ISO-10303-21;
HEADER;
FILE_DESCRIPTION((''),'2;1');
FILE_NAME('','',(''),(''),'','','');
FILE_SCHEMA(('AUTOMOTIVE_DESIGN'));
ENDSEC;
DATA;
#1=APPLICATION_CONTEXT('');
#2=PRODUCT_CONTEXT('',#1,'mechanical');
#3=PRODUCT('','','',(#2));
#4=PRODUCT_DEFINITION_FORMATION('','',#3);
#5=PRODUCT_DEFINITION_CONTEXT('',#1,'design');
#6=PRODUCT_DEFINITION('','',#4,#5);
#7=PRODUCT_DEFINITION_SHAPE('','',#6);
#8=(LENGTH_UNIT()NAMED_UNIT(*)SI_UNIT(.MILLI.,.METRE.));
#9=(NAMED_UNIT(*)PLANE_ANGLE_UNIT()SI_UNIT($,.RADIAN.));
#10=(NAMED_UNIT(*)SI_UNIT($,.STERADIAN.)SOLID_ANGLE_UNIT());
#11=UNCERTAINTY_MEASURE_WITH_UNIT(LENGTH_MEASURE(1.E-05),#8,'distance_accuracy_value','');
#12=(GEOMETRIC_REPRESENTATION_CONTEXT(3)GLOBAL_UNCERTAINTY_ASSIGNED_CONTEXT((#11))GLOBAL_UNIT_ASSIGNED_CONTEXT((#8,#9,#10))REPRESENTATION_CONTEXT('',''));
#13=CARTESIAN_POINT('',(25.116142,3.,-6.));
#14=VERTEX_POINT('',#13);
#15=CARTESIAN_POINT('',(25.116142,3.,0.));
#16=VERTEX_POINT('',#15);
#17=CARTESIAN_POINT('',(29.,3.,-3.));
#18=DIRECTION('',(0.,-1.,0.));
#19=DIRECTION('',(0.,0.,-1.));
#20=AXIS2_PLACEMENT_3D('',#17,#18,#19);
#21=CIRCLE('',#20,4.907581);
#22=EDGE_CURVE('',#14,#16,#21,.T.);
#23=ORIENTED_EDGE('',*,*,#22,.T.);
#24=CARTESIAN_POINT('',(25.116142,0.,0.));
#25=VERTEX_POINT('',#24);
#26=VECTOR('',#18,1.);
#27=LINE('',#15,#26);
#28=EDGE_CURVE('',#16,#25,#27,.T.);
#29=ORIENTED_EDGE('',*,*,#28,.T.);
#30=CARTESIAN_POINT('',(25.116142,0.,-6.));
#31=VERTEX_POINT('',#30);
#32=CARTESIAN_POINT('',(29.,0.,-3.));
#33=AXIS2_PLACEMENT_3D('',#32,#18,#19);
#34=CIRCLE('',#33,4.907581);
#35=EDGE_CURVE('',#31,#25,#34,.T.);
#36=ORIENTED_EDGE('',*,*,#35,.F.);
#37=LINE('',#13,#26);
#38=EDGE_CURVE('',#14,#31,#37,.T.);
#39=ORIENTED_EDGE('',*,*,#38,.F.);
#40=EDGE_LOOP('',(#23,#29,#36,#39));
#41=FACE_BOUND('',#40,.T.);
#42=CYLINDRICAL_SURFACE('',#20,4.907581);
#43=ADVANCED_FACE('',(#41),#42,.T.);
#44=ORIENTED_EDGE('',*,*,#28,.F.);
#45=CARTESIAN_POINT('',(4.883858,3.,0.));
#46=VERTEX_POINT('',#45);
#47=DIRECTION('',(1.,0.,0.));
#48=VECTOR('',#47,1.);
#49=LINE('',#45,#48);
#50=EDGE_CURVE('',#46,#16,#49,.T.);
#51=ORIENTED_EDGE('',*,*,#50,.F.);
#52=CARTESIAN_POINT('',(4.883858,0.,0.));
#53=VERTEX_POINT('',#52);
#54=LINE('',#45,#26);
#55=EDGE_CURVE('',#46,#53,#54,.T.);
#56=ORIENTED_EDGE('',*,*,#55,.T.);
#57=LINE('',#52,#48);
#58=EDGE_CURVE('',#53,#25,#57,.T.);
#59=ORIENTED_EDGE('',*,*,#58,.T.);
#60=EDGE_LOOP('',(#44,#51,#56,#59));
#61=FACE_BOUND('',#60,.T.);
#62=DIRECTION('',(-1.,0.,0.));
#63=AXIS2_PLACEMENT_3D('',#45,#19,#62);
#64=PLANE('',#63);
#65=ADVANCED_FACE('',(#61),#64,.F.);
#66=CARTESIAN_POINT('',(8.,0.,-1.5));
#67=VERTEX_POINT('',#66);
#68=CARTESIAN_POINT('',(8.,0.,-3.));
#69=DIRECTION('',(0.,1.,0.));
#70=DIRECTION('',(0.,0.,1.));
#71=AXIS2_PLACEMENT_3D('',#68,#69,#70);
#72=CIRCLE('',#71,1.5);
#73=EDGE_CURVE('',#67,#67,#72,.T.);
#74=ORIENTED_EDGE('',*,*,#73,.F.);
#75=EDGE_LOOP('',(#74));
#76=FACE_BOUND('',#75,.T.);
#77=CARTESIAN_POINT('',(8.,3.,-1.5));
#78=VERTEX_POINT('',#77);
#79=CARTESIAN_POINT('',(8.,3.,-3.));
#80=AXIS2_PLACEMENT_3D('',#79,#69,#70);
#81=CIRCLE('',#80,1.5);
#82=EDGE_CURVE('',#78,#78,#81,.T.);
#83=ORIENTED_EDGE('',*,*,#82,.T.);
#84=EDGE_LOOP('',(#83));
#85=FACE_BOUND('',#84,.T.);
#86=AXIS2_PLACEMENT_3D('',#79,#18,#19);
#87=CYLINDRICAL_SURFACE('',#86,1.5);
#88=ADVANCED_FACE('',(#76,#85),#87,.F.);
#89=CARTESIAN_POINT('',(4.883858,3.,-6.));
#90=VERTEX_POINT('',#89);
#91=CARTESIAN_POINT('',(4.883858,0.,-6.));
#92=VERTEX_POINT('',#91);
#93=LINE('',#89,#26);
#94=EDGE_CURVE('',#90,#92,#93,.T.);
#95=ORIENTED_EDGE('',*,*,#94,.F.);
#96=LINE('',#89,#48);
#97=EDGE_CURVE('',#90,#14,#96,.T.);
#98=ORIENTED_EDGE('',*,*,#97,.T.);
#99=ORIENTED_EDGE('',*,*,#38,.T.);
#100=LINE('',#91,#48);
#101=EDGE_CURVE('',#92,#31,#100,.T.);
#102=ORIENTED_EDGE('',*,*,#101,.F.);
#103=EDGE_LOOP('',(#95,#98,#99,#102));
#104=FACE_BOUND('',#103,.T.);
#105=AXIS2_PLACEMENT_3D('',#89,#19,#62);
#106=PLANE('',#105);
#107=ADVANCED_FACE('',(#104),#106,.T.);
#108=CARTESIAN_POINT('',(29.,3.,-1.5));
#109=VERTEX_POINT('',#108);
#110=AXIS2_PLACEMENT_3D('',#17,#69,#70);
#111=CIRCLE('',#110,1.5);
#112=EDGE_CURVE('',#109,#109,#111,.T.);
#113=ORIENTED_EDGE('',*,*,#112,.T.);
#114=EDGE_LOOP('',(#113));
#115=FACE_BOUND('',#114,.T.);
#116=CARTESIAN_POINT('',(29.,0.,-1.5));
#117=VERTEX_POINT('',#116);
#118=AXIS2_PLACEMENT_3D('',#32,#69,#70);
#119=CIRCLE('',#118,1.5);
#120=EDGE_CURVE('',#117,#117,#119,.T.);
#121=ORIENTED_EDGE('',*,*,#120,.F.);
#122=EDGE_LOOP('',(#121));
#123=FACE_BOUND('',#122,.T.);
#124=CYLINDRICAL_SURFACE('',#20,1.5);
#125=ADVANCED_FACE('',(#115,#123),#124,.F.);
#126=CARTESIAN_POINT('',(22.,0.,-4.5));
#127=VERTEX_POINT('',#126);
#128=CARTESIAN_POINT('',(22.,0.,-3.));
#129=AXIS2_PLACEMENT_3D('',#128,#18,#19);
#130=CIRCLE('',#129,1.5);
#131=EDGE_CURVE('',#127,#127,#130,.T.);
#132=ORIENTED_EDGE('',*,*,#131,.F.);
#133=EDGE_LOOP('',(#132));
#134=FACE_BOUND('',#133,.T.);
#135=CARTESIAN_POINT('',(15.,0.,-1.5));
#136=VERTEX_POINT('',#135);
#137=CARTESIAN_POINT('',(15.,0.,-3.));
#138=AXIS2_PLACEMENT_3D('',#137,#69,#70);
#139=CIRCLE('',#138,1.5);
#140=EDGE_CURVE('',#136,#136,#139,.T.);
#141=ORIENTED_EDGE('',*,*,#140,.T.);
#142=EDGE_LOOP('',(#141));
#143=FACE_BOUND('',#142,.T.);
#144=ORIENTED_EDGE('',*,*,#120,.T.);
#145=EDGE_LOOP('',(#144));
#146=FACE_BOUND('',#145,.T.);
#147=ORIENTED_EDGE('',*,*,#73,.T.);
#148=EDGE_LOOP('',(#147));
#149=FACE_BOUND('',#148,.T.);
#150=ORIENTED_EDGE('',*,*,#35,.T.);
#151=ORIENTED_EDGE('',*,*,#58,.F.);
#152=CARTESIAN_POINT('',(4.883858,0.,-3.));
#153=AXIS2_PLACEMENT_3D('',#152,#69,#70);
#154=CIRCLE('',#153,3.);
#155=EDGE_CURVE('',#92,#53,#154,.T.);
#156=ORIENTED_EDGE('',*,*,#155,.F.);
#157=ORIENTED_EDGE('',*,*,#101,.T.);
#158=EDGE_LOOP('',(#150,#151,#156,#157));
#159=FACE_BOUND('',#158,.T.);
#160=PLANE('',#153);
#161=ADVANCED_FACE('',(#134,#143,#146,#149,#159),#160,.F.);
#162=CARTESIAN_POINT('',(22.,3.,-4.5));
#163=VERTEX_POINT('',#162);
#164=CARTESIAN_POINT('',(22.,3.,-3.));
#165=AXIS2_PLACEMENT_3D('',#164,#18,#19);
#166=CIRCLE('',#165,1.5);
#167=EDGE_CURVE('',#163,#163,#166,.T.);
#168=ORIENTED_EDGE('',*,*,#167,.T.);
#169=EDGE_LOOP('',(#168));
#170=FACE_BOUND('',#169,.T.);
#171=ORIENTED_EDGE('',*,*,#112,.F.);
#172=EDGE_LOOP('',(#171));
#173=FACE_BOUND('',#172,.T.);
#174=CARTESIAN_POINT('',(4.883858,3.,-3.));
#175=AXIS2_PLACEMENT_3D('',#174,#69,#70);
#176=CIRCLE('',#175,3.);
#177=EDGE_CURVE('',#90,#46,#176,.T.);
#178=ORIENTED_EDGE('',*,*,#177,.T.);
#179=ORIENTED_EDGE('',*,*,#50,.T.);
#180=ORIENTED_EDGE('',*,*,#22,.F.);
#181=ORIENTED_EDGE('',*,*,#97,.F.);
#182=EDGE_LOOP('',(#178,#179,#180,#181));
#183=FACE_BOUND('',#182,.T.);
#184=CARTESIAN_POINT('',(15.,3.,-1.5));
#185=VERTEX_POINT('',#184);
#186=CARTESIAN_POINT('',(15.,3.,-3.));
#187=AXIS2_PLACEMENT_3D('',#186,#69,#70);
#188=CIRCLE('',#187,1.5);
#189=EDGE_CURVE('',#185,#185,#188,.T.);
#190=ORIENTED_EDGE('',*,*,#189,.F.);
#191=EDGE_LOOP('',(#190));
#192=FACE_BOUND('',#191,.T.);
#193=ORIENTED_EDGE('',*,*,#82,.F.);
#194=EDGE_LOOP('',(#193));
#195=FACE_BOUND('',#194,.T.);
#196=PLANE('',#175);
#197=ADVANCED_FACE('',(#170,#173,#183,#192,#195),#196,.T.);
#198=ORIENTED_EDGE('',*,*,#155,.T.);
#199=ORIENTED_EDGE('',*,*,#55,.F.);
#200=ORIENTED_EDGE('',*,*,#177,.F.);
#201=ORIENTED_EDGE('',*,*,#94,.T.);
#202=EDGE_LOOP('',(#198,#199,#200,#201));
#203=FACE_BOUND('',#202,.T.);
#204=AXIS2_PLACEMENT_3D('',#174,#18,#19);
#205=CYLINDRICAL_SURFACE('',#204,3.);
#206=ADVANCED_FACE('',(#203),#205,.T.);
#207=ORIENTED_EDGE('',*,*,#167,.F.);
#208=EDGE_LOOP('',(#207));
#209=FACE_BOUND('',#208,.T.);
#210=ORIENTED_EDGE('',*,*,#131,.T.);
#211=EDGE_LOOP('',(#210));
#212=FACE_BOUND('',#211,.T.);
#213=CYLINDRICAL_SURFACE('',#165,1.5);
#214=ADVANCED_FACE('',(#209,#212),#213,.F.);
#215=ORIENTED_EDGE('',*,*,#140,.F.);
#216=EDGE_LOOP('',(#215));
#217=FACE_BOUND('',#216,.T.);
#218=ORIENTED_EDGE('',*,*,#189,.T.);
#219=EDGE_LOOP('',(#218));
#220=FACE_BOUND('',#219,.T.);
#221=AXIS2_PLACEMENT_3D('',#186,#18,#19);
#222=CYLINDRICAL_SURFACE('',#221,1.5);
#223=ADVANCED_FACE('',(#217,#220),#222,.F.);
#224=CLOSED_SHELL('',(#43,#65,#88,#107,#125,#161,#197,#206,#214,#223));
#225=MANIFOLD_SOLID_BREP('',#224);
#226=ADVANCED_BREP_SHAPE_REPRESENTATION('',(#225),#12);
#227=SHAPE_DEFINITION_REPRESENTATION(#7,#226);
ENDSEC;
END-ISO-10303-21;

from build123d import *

# Parameters (mm, degrees)
SKETCH2_R           = 1.5
BOSS_EXTRUDE1_DEPTH = 3


with BuildPart() as part:
    # Sketch2 → Boss-Extrude1 (new body)
    with BuildSketch(Plane(origin=(0, 0, 0), x_dir=(1, 0, 0), z_dir=(0, 1, 0))):
        with BuildLine():
            Line((4.883857953, 0), (25.116142047, 0))
            ThreePointArc((25.116142047, 0), (33.907581135, 3), (25.116142047, 6))
            Line((25.116142047, 6), (4.883857953, 6))
            ThreePointArc((4.883857953, 6), (1.883857953, 3), (4.883857953, 0))
        make_face()
        with Locations((15, 3)):
            Circle(SKETCH2_R, mode=Mode.SUBTRACT)
        with Locations((8, 3)):
            Circle(SKETCH2_R, mode=Mode.SUBTRACT)
        with Locations((22, 3)):
            Circle(SKETCH2_R, mode=Mode.SUBTRACT)
        with Locations((29, 3)):
            Circle(SKETCH2_R, mode=Mode.SUBTRACT)
    extrude(amount=BOSS_EXTRUDE1_DEPTH)


solid = part.part
